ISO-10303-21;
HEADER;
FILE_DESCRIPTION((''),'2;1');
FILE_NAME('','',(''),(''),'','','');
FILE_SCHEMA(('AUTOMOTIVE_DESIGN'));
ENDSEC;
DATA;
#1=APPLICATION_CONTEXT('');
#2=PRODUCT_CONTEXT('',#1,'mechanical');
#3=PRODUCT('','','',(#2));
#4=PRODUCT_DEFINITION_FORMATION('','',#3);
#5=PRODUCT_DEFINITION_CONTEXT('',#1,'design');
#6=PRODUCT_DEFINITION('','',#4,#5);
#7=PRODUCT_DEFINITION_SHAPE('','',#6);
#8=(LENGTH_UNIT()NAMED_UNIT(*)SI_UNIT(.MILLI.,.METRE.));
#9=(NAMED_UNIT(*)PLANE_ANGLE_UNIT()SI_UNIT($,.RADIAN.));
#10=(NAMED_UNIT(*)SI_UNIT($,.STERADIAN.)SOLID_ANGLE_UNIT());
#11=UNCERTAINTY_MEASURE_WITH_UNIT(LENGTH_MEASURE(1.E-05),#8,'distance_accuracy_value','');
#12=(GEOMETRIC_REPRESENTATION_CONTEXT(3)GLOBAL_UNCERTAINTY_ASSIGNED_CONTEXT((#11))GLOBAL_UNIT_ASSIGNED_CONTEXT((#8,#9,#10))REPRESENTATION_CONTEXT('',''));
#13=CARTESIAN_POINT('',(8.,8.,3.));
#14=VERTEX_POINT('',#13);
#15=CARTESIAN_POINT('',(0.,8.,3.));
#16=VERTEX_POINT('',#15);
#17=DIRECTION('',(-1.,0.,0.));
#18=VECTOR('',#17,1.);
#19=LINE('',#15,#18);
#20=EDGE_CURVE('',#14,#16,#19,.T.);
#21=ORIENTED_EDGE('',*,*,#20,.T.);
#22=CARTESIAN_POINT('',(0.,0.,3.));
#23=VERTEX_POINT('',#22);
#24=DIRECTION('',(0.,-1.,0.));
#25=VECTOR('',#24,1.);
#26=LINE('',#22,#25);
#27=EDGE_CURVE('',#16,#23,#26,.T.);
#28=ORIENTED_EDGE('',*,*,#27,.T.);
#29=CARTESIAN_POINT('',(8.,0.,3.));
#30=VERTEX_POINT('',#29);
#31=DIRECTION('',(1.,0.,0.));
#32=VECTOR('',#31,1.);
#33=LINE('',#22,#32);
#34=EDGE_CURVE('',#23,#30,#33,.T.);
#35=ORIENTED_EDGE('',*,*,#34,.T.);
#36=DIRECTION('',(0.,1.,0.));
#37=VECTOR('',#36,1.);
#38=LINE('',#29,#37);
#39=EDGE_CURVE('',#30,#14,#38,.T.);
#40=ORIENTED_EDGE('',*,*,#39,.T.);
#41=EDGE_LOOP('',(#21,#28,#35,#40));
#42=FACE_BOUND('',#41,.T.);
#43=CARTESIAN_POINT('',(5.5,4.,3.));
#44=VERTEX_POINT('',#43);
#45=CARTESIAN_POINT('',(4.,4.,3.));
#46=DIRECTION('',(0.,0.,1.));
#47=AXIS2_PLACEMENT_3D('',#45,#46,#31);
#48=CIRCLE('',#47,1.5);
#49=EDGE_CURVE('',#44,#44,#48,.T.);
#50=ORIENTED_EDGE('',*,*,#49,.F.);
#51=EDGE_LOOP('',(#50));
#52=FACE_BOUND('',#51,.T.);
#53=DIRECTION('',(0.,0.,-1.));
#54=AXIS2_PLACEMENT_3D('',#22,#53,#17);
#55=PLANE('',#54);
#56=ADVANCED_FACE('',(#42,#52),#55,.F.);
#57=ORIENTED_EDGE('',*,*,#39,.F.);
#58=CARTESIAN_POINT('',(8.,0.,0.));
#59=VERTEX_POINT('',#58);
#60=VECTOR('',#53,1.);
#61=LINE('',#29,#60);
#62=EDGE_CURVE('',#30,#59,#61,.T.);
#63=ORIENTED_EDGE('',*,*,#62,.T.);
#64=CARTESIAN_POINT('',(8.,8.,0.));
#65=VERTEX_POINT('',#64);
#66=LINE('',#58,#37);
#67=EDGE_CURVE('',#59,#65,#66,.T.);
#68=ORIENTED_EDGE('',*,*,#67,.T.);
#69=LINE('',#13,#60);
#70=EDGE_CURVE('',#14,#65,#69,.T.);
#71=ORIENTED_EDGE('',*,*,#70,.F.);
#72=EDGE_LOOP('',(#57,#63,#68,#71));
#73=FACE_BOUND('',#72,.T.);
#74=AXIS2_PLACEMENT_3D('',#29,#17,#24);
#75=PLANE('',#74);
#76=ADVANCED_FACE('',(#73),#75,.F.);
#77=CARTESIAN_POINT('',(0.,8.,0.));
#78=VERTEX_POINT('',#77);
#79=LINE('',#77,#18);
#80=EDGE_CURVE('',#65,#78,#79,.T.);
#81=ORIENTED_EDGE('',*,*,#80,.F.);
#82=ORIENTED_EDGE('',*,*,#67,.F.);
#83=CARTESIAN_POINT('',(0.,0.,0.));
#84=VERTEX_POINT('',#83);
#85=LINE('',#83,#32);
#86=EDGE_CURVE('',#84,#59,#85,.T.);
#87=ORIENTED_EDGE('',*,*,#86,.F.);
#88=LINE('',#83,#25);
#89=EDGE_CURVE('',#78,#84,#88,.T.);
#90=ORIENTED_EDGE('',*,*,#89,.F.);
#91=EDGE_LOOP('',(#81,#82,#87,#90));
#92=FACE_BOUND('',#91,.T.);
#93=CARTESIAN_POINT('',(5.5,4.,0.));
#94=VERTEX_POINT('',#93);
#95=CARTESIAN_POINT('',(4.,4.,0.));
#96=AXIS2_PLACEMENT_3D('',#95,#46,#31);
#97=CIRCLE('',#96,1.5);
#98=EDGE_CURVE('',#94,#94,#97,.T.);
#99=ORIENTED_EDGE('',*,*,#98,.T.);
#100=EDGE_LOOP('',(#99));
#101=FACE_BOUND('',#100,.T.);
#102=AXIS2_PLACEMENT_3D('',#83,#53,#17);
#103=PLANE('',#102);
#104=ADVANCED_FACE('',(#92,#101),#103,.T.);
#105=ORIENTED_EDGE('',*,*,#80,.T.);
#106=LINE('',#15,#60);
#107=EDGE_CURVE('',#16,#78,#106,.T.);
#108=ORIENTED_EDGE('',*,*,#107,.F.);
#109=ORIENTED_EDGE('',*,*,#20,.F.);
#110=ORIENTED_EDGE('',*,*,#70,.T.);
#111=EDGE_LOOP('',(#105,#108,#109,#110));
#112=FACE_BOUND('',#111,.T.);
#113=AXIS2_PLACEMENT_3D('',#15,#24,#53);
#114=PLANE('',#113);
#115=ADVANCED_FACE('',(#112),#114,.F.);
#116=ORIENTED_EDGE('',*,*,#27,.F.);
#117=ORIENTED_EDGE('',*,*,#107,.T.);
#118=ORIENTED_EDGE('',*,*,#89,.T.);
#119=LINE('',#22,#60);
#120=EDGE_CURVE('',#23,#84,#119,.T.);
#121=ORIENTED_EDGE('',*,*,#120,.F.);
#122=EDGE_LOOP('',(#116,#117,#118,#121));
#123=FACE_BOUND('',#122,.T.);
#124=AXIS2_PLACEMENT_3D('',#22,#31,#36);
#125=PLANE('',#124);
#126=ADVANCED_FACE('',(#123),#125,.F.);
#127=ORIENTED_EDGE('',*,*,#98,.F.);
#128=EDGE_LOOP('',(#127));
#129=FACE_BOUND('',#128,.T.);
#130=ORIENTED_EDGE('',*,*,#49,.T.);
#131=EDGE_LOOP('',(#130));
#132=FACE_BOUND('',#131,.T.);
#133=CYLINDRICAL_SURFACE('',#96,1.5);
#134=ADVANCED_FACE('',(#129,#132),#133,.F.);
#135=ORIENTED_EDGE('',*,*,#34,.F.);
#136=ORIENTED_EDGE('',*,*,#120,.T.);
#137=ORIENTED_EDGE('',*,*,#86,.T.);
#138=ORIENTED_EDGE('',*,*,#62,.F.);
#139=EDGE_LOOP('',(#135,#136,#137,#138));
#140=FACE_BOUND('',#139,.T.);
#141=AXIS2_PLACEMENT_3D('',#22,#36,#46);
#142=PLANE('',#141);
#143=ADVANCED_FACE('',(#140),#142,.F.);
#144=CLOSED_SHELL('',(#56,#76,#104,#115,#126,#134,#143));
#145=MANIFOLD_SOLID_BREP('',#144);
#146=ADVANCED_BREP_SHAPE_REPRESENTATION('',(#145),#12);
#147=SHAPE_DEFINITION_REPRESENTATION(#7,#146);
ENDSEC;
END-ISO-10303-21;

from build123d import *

# Parameters (mm, degrees)
SKETCH_1_W          = 8
SKETCH_1_H          = 8
EXTRUDE_1_DEPTH     = 3
SKETCH_2_R          = 1.5
CUT_EXTRUDE_1_DEPTH = 12.704699911


with BuildPart() as part:
    # Эскиз1 → Бобышка-Вытянуть1 (new body)
    with BuildSketch(Plane.XY):
        with Locations((4, 4)):
            Rectangle(SKETCH_1_W, SKETCH_1_H)
    extrude(amount=EXTRUDE_1_DEPTH)

    # Эскиз2 → Вырез-Вытянуть1 (cut, through all)
    with BuildSketch(Plane.XY.offset(3)):
        with Locations((4, 4)):
            Circle(SKETCH_2_R)
    extrude(amount=-CUT_EXTRUDE_1_DEPTH, mode=Mode.SUBTRACT)


solid = part.part
